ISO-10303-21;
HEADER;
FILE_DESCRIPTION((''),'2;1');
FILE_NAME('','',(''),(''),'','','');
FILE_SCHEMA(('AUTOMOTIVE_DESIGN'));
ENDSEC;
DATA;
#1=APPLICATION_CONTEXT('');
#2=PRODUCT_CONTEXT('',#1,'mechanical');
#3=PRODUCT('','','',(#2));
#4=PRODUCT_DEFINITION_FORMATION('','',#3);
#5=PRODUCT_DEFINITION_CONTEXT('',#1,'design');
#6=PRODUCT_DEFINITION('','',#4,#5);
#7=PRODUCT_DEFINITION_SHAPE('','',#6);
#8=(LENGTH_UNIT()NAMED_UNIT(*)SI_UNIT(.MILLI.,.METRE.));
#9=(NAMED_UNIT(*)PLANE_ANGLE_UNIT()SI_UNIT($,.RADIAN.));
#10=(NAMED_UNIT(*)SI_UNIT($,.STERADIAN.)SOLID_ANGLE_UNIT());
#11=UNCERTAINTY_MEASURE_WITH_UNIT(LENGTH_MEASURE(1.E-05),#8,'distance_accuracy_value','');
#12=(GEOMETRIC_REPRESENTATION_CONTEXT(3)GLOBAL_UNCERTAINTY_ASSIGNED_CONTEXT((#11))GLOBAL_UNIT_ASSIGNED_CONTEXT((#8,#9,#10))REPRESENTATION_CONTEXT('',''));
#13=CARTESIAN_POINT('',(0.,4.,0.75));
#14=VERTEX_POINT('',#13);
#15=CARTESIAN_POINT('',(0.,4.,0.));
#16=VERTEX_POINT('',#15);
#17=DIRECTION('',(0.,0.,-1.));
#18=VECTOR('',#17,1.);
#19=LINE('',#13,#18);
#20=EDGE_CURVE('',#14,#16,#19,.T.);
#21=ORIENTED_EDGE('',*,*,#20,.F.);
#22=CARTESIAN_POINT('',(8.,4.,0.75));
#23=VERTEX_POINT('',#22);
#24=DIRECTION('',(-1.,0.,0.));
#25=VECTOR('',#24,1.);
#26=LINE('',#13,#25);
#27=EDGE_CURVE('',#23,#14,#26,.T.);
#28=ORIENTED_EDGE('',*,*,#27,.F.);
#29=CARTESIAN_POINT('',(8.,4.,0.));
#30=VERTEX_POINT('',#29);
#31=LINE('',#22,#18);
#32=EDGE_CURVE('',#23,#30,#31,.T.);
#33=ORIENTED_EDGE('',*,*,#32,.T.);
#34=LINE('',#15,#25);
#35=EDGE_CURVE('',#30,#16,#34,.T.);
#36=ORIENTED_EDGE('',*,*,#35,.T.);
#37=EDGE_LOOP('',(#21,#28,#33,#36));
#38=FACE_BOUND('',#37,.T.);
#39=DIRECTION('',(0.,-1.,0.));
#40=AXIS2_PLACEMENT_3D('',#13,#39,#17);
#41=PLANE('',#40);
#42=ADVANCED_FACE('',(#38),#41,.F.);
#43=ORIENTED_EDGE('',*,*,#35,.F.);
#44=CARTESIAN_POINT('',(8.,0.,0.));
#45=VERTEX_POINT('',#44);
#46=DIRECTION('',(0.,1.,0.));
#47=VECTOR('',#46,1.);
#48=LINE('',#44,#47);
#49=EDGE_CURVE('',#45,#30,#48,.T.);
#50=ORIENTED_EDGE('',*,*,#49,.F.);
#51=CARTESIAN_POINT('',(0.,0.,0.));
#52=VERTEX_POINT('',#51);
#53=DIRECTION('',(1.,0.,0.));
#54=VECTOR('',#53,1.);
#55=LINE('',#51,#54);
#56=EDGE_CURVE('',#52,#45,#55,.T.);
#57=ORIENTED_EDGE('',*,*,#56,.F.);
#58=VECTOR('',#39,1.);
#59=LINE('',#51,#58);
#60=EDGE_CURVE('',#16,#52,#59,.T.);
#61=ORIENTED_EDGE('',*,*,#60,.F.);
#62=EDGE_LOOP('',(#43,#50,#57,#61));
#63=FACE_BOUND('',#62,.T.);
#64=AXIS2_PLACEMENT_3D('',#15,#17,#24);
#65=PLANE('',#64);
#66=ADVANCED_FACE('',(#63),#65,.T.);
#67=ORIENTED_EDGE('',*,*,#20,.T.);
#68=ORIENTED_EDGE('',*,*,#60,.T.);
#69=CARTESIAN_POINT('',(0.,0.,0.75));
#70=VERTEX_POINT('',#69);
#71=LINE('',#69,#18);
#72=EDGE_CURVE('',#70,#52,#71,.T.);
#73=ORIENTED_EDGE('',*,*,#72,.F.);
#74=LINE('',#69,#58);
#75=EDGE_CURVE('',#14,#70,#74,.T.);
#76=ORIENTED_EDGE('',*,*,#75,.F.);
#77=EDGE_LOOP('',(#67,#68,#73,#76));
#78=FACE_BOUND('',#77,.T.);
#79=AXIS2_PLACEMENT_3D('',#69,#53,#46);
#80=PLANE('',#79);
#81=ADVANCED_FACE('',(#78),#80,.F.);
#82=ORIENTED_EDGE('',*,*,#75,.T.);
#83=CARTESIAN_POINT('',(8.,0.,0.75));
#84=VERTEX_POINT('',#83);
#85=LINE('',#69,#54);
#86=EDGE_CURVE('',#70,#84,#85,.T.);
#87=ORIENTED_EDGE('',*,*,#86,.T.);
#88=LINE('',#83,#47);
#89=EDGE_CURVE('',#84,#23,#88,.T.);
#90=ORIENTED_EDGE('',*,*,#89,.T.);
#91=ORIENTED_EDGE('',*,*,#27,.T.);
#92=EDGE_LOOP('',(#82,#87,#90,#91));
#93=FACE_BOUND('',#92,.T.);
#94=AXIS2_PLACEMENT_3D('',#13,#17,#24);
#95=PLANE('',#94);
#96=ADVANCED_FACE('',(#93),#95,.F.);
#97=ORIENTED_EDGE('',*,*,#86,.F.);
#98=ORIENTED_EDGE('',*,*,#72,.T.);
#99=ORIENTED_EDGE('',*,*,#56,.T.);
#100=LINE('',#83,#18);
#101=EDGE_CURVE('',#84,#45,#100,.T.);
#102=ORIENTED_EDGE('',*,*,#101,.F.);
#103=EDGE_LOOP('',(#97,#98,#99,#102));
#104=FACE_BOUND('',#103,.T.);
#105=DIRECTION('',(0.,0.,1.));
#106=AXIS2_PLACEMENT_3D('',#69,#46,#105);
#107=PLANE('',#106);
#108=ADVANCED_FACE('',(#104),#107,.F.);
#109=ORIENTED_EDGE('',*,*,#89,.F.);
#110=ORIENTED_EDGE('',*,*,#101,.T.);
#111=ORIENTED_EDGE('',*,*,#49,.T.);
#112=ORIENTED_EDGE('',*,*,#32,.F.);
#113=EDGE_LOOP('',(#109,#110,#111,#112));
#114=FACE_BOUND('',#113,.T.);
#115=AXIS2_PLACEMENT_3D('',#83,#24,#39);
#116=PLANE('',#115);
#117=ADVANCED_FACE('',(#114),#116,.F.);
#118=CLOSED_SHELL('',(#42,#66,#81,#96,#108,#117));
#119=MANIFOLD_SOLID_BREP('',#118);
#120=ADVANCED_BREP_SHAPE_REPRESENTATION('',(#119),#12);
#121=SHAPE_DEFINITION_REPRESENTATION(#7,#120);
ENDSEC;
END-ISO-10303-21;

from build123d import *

# Parameters (mm, degrees)
ESQUISSE1_W      = 8
ESQUISSE1_H      = 4
EXTRUSION1_DEPTH = 0.75


with BuildPart() as part:
    # Esquisse1 → Extrusion1 (new body)
    with BuildSketch(Plane.XY):
        with Locations((4, 2)):
            Rectangle(ESQUISSE1_W, ESQUISSE1_H)
    extrude(amount=EXTRUSION1_DEPTH)


solid = part.part
